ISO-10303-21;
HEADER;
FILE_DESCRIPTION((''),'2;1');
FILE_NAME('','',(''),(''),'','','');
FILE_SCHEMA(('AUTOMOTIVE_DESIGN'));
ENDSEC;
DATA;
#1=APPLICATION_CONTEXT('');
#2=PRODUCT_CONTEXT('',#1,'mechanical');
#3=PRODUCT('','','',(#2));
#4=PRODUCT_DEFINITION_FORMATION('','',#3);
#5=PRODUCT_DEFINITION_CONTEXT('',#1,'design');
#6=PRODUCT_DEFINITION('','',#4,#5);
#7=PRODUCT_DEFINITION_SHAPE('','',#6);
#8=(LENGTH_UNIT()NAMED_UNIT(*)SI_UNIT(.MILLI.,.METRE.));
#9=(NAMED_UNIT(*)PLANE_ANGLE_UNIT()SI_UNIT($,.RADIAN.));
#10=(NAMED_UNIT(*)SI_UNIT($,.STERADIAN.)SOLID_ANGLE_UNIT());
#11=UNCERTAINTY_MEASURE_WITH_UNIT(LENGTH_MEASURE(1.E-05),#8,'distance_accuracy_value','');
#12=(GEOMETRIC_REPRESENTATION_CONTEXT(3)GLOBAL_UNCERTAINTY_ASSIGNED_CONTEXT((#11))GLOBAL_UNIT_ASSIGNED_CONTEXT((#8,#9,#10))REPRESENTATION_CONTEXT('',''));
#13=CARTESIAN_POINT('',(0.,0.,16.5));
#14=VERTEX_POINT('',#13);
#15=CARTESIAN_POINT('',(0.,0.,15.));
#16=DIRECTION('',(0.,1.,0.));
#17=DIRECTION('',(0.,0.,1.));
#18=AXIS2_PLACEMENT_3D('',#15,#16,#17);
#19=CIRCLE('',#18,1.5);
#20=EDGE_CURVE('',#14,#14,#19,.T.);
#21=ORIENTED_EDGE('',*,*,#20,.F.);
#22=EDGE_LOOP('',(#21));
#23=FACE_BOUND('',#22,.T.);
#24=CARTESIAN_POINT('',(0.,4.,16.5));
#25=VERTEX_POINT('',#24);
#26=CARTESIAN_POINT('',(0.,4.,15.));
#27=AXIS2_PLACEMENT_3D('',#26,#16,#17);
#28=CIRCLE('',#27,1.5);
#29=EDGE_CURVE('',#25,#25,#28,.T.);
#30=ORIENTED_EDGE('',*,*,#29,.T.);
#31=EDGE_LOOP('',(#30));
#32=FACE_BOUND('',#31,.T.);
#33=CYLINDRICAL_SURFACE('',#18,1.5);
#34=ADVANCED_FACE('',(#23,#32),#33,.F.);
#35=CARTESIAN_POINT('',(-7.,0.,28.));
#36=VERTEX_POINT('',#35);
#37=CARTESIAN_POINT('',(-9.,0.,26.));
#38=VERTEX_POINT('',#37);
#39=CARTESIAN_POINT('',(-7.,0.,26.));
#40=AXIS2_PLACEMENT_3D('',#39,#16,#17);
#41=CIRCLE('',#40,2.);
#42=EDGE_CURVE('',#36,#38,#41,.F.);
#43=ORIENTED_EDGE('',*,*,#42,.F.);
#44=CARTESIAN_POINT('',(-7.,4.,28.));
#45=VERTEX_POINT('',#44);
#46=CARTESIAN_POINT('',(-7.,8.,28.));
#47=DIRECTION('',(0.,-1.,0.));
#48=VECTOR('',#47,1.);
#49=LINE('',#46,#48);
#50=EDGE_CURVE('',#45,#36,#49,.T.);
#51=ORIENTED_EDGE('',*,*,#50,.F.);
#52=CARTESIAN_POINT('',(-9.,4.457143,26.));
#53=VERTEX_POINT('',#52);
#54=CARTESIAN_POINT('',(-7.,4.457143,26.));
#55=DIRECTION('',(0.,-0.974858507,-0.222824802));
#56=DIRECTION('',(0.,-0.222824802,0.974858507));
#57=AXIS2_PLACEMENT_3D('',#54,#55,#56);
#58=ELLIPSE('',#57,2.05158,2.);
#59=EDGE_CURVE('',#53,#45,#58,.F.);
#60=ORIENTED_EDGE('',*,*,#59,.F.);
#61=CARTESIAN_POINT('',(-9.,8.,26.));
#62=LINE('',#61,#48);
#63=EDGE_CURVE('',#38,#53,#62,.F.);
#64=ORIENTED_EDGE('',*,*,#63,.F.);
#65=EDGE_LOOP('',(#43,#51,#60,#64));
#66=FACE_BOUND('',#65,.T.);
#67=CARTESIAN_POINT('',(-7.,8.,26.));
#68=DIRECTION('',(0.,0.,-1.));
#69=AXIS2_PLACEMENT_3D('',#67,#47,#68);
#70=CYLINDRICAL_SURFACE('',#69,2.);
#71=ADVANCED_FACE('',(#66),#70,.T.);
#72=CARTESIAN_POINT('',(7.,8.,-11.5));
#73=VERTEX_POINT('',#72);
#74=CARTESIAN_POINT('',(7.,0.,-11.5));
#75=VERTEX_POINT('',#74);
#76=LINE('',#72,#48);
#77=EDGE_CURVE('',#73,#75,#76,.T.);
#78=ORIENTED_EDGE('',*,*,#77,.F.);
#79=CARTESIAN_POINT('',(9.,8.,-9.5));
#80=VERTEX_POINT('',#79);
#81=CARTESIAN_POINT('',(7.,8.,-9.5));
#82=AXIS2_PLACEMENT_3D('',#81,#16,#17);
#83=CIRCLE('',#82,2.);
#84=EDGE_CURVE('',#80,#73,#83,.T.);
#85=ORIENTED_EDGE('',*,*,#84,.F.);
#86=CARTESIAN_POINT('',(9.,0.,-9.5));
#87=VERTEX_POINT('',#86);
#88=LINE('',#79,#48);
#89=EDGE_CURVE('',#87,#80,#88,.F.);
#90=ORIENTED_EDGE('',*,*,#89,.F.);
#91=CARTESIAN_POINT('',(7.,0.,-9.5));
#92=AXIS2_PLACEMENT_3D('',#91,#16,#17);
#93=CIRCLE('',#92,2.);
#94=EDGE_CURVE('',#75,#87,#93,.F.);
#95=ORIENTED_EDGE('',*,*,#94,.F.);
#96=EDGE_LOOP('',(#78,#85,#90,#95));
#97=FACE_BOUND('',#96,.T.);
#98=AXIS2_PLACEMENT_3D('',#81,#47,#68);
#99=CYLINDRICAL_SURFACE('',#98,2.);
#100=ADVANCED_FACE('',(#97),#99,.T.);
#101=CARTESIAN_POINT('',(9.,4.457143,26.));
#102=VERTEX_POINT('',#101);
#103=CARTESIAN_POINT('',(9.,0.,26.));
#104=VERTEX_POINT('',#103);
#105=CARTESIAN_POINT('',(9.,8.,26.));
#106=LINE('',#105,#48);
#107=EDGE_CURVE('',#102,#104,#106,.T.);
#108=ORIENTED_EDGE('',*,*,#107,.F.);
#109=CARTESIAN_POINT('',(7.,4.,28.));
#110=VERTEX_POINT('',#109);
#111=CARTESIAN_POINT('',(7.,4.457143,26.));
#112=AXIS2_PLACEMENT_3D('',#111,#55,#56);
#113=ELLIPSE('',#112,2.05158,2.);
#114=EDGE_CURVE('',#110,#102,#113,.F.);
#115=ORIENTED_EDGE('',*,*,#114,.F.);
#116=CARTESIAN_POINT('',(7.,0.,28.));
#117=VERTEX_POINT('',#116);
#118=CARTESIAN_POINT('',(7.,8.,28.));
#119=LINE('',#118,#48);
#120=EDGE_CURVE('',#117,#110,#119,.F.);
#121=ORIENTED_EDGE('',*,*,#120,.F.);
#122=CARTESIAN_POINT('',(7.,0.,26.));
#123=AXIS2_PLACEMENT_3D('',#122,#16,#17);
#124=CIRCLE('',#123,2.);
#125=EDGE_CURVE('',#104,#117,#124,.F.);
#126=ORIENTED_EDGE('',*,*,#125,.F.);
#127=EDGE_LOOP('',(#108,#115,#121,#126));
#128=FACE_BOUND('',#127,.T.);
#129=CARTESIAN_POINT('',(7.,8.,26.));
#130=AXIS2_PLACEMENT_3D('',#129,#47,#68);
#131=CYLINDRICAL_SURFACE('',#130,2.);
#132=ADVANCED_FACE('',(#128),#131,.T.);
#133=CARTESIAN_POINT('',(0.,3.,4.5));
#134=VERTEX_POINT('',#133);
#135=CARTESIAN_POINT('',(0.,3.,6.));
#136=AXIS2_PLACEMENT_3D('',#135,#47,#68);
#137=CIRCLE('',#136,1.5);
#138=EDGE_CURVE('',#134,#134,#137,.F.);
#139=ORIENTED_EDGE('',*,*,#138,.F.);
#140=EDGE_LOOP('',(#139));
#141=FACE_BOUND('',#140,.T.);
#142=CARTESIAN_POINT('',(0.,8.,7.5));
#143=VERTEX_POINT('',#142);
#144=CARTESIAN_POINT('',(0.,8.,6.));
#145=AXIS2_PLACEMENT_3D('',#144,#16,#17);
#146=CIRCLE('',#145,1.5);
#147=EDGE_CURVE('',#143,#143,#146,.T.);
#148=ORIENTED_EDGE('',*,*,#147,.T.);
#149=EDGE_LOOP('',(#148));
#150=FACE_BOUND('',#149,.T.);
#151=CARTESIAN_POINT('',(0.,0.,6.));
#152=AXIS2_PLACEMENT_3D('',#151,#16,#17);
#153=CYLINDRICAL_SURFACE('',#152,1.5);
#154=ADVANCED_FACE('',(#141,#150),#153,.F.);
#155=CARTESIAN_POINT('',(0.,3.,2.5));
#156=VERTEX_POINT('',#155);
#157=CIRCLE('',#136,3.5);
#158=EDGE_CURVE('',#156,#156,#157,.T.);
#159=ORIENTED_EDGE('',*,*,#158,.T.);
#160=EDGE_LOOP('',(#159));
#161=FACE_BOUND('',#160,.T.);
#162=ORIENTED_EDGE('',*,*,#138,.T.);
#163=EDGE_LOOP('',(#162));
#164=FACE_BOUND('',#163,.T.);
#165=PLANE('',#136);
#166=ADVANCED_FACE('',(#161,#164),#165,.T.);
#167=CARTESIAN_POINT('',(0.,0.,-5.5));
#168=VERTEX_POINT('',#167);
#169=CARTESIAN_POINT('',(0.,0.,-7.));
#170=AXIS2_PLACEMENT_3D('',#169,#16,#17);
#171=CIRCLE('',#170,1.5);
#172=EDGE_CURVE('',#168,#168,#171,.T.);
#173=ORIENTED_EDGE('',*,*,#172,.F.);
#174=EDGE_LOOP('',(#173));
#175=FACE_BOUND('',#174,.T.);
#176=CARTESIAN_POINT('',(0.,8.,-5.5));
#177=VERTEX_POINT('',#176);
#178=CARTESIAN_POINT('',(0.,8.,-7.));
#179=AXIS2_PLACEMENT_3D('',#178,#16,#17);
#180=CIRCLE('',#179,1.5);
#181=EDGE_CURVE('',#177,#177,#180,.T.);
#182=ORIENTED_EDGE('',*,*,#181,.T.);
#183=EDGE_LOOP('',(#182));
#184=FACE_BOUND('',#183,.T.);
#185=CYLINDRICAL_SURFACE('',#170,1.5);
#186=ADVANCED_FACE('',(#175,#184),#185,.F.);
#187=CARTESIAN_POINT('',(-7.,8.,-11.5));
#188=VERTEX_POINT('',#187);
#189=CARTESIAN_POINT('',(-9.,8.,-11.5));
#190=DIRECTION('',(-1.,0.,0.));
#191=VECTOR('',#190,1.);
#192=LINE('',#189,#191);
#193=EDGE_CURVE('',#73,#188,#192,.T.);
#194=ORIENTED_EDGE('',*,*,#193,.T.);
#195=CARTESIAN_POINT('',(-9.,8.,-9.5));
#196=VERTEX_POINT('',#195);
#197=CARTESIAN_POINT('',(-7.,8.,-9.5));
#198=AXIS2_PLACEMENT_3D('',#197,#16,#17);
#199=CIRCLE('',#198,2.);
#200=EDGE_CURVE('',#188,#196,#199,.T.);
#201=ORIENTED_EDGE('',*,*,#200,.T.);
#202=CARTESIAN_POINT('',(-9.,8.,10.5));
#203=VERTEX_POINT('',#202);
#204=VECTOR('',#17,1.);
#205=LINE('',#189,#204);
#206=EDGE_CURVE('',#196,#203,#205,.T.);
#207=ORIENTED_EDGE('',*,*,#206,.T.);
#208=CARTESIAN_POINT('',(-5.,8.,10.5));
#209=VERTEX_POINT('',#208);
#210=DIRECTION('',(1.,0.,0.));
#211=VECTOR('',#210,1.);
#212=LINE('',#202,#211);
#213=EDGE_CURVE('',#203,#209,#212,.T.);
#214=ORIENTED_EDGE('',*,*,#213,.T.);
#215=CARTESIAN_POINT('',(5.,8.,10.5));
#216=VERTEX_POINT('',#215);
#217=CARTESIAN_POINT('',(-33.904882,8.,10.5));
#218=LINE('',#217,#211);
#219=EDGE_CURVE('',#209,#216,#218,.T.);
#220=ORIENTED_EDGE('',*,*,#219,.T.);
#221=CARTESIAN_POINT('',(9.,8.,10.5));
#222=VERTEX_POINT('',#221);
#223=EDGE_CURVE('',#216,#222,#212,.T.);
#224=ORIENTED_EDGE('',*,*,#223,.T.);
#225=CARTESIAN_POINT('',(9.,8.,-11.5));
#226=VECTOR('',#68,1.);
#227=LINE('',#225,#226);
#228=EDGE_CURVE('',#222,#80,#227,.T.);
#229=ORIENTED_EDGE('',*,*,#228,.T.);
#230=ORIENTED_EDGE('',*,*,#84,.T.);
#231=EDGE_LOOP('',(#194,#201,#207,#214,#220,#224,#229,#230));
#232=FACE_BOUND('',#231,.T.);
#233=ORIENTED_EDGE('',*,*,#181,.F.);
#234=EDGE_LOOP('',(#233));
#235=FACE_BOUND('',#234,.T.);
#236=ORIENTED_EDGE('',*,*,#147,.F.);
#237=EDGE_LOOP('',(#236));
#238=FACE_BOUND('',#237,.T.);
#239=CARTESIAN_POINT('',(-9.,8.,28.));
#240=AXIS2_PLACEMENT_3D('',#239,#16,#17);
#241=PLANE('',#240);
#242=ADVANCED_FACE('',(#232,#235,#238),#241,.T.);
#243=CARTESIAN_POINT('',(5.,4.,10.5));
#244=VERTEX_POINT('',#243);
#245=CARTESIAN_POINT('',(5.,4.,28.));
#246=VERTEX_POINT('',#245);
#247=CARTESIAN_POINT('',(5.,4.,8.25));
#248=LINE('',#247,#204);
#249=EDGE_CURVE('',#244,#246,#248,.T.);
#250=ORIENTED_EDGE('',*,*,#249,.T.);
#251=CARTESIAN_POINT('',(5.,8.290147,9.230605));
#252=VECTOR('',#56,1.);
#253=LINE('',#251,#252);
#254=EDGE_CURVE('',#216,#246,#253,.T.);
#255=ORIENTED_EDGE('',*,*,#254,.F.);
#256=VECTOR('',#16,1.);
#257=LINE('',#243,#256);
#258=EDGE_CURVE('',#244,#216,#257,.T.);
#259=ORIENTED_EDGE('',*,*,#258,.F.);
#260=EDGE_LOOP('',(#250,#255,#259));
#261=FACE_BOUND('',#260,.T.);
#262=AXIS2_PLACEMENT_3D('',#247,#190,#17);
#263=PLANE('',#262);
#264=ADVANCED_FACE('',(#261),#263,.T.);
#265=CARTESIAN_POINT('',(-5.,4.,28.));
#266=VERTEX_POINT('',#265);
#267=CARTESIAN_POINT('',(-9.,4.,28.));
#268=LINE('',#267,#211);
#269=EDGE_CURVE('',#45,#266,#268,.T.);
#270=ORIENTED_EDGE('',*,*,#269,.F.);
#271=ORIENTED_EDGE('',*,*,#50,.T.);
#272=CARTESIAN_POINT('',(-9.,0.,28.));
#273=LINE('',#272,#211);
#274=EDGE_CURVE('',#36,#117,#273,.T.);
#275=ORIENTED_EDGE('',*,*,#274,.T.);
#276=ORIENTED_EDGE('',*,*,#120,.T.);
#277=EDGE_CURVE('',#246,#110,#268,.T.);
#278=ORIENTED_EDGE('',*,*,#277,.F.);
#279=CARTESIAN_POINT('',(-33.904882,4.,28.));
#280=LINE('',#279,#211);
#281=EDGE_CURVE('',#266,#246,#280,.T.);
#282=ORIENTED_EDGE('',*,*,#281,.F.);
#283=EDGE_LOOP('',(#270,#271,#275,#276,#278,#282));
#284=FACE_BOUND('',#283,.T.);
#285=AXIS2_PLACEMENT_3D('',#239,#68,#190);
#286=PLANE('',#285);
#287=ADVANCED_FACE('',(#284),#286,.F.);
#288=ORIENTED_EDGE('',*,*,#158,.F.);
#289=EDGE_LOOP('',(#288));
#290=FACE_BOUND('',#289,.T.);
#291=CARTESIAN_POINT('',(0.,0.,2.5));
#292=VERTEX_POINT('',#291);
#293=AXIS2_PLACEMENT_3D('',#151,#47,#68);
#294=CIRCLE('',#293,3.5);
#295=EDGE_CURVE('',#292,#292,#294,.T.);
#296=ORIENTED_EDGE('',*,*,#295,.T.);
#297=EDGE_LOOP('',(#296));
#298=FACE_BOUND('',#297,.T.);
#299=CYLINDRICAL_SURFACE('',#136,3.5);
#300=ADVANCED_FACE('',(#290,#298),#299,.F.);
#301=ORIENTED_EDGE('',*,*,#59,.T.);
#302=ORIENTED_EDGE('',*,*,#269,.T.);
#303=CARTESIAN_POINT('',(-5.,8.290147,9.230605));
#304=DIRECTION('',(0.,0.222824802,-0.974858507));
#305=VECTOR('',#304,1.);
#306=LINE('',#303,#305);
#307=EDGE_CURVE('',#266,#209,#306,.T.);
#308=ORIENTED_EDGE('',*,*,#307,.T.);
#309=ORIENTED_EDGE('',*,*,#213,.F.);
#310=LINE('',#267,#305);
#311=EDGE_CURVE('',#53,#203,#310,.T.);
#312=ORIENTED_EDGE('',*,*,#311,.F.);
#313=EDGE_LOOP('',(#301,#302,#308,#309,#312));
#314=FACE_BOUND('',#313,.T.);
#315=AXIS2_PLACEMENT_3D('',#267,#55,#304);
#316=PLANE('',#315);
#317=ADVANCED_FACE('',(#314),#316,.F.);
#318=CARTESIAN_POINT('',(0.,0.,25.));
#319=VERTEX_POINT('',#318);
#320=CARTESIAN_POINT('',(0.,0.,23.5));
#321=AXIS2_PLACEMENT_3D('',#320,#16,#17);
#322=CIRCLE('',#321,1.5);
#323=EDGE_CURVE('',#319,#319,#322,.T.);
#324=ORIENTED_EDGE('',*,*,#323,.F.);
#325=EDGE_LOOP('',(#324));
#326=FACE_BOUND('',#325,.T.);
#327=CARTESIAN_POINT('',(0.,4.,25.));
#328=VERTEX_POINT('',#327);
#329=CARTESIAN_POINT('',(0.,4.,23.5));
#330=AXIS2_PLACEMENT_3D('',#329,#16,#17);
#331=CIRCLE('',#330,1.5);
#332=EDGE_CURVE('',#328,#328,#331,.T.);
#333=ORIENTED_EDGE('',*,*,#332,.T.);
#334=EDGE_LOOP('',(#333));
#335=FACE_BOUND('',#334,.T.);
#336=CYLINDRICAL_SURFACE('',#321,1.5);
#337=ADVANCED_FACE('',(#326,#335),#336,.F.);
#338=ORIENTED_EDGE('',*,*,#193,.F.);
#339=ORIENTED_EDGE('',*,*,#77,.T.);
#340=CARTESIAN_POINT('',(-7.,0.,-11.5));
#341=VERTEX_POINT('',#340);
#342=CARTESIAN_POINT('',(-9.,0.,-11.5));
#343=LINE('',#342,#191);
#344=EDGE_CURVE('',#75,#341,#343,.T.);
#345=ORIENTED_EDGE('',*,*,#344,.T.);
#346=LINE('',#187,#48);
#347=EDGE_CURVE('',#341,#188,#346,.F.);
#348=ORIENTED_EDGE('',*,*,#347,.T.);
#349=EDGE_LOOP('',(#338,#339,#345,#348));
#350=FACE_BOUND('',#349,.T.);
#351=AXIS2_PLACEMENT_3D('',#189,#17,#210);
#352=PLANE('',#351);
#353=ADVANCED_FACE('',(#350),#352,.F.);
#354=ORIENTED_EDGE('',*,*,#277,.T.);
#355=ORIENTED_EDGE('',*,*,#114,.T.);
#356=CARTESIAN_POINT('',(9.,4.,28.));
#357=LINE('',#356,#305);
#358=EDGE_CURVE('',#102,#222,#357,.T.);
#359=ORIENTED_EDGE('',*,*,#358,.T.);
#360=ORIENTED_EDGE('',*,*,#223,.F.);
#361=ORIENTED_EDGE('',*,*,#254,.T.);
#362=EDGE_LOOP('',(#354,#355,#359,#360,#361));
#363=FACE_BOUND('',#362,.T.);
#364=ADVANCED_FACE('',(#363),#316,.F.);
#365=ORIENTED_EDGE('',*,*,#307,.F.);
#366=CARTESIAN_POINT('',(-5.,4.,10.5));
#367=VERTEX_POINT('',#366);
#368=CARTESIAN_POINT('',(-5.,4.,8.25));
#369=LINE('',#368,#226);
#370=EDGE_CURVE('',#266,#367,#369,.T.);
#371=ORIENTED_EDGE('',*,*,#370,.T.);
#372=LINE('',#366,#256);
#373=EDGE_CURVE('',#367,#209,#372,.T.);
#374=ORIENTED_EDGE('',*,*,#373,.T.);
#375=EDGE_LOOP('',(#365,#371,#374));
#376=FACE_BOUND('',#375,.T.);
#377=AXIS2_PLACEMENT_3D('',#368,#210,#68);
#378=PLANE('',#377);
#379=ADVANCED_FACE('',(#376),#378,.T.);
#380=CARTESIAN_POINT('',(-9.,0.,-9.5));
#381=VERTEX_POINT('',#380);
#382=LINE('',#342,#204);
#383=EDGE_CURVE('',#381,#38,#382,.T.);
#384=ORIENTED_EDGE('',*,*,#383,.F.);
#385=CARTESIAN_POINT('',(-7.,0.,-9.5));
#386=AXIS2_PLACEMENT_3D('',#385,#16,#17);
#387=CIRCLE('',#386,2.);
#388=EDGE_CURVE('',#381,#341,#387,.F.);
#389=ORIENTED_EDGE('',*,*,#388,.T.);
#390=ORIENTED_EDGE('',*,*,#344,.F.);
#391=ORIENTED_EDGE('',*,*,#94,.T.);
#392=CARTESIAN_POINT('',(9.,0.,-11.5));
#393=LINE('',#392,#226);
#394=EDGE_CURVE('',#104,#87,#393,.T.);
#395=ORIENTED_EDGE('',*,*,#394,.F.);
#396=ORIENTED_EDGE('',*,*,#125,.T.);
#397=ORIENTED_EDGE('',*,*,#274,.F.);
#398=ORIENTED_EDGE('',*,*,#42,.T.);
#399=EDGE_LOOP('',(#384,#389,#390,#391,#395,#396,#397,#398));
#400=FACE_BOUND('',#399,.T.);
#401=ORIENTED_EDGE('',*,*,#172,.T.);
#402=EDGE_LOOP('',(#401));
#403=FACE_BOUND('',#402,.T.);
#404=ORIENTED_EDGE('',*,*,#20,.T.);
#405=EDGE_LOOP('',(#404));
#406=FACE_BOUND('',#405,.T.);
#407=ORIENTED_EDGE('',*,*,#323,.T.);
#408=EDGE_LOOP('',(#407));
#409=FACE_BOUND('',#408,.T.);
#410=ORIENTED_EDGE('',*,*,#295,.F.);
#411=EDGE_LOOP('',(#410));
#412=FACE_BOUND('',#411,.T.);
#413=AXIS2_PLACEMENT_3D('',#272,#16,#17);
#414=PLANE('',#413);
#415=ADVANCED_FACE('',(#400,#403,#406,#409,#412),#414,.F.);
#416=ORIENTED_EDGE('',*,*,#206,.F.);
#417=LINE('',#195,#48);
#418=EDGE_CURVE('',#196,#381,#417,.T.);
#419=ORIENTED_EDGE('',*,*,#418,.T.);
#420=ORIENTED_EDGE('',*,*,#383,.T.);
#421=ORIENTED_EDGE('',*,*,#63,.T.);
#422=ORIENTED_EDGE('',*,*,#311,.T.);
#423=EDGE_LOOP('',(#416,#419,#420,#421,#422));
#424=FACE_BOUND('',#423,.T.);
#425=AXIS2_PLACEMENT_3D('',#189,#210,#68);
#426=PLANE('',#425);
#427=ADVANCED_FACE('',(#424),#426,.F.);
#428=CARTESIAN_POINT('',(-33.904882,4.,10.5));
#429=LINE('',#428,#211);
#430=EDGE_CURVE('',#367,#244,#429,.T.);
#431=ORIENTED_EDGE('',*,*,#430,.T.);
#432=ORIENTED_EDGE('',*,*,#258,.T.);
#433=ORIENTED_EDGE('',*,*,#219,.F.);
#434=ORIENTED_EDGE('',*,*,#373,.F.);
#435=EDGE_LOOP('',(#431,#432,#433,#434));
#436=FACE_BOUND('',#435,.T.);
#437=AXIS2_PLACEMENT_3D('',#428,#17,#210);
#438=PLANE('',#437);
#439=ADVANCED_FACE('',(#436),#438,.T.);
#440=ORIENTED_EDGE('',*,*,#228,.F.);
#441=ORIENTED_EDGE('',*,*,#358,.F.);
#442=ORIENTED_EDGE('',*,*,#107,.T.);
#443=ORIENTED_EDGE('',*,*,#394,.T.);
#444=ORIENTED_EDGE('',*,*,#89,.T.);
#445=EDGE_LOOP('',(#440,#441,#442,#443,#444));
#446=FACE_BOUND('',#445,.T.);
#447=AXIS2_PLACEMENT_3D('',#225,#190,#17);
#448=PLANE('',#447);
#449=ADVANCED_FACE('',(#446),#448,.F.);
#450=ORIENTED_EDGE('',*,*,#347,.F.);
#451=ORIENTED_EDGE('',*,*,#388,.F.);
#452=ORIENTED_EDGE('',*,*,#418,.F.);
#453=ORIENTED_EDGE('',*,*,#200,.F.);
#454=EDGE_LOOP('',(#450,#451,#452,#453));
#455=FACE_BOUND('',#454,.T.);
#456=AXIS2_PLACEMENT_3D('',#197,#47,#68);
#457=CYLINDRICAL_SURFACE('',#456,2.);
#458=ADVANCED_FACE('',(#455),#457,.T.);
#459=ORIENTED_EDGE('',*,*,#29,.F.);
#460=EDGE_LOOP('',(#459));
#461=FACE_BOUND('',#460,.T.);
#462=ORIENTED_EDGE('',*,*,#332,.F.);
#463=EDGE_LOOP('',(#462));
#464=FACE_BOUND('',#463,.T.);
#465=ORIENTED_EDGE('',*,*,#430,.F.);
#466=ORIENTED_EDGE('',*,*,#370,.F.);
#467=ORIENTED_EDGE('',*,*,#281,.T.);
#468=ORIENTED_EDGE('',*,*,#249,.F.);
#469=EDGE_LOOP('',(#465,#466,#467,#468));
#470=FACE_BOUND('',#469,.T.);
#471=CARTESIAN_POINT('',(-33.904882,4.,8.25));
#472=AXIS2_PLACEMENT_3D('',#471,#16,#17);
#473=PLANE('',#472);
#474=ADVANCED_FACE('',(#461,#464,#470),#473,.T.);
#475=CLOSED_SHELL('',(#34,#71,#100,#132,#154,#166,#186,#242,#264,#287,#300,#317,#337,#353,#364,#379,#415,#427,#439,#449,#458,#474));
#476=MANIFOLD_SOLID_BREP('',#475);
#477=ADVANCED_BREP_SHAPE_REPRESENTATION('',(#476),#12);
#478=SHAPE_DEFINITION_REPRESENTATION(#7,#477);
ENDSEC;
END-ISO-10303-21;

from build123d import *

# Parameters (mm, degrees)
SKETCH1_W      = 18
SKETCH1_H      = 39.5
EXTRUDE1_DEPTH = 8
SKETCH4_W      = 10
SKETCH4_H      = 17.5
EXTRUDE3_DEPTH = 4
EXTRUDE4_DEPTH = 19
SKETCH4_4_R    = 1.5
EXTRUDE5_DEPTH = 9
FILLET1_R      = 2
SKETCH8_R      = 1.5
EXTRUDE6_DEPTH = 5
SKETCH9_R      = 3.5
EXTRUDE7_DEPTH = 3
FILLET2_R      = 2


with BuildPart() as part:
    # Sketch1 → Extrude1 (new body)
    with BuildSketch(Plane(origin=(0, 0, 0), x_dir=(1, 0, 0), z_dir=(0, 1, 0))):
        with Locations((0, -8.25)):
            Rectangle(SKETCH1_W, SKETCH1_H)
    extrude(amount=EXTRUDE1_DEPTH)

    # Sketch4 → Extrude3 (cut)
    with BuildSketch(Plane(origin=(0, 8, 0), x_dir=(-1, 0, 0), z_dir=(0, 1, 0))):
        with Locations((0, 19.25)):
            Rectangle(SKETCH4_W, SKETCH4_H)
    extrude(amount=-EXTRUDE3_DEPTH, mode=Mode.SUBTRACT)

    # Sketch7 → Extrude4 (cut, through all)
    with BuildSketch(Plane(origin=(9, 0, 0), x_dir=(0, 0, -1), z_dir=(1, 0, 0))):
        Polygon((-28, 4), (-10.5, 8), (-28, 8), align=None)
    extrude(amount=-EXTRUDE4_DEPTH, mode=Mode.SUBTRACT)

    # Sketch4<4> → Extrude5 (cut, through all)
    with BuildSketch(Plane(origin=(0, 8, 0), x_dir=(-1, 0, 0), z_dir=(0, 1, 0))):
        with Locations((0, 6)):
            Circle(SKETCH4_4_R)
        with Locations((0, -7)):
            Circle(SKETCH4_4_R)
    extrude(amount=-EXTRUDE5_DEPTH, mode=Mode.SUBTRACT)

    # Fillet1
    fillet1_edges = [part.edges().sort_by_distance(p)[0] for p in [
        (9, 2, 28),
        (-9, 2, 28),
    ]]
    fillet(fillet1_edges, radius=FILLET1_R)

    # Sketch8 → Extrude6 (cut, through all)
    with BuildSketch(Plane(origin=(0, 4, 0), x_dir=(-1, 0, 0), z_dir=(0, 1, 0))):
        with Locations((0, 15)):
            Circle(SKETCH8_R)
        with Locations((0, 23.5)):
            Circle(SKETCH8_R)
    extrude(amount=-EXTRUDE6_DEPTH, mode=Mode.SUBTRACT)

    # Sketch9 → Extrude7 (cut)
    with BuildSketch(Plane.XZ):
        with Locations((0, 6)):
            Circle(SKETCH9_R)
    extrude(amount=-EXTRUDE7_DEPTH, mode=Mode.SUBTRACT)

    # Fillet2
    fillet2_edges = [part.edges().sort_by_distance(p)[0] for p in [
        (-9, 4, -11.5),
        (9, 4, -11.5),
    ]]
    fillet(fillet2_edges, radius=FILLET2_R)


solid = part.part
